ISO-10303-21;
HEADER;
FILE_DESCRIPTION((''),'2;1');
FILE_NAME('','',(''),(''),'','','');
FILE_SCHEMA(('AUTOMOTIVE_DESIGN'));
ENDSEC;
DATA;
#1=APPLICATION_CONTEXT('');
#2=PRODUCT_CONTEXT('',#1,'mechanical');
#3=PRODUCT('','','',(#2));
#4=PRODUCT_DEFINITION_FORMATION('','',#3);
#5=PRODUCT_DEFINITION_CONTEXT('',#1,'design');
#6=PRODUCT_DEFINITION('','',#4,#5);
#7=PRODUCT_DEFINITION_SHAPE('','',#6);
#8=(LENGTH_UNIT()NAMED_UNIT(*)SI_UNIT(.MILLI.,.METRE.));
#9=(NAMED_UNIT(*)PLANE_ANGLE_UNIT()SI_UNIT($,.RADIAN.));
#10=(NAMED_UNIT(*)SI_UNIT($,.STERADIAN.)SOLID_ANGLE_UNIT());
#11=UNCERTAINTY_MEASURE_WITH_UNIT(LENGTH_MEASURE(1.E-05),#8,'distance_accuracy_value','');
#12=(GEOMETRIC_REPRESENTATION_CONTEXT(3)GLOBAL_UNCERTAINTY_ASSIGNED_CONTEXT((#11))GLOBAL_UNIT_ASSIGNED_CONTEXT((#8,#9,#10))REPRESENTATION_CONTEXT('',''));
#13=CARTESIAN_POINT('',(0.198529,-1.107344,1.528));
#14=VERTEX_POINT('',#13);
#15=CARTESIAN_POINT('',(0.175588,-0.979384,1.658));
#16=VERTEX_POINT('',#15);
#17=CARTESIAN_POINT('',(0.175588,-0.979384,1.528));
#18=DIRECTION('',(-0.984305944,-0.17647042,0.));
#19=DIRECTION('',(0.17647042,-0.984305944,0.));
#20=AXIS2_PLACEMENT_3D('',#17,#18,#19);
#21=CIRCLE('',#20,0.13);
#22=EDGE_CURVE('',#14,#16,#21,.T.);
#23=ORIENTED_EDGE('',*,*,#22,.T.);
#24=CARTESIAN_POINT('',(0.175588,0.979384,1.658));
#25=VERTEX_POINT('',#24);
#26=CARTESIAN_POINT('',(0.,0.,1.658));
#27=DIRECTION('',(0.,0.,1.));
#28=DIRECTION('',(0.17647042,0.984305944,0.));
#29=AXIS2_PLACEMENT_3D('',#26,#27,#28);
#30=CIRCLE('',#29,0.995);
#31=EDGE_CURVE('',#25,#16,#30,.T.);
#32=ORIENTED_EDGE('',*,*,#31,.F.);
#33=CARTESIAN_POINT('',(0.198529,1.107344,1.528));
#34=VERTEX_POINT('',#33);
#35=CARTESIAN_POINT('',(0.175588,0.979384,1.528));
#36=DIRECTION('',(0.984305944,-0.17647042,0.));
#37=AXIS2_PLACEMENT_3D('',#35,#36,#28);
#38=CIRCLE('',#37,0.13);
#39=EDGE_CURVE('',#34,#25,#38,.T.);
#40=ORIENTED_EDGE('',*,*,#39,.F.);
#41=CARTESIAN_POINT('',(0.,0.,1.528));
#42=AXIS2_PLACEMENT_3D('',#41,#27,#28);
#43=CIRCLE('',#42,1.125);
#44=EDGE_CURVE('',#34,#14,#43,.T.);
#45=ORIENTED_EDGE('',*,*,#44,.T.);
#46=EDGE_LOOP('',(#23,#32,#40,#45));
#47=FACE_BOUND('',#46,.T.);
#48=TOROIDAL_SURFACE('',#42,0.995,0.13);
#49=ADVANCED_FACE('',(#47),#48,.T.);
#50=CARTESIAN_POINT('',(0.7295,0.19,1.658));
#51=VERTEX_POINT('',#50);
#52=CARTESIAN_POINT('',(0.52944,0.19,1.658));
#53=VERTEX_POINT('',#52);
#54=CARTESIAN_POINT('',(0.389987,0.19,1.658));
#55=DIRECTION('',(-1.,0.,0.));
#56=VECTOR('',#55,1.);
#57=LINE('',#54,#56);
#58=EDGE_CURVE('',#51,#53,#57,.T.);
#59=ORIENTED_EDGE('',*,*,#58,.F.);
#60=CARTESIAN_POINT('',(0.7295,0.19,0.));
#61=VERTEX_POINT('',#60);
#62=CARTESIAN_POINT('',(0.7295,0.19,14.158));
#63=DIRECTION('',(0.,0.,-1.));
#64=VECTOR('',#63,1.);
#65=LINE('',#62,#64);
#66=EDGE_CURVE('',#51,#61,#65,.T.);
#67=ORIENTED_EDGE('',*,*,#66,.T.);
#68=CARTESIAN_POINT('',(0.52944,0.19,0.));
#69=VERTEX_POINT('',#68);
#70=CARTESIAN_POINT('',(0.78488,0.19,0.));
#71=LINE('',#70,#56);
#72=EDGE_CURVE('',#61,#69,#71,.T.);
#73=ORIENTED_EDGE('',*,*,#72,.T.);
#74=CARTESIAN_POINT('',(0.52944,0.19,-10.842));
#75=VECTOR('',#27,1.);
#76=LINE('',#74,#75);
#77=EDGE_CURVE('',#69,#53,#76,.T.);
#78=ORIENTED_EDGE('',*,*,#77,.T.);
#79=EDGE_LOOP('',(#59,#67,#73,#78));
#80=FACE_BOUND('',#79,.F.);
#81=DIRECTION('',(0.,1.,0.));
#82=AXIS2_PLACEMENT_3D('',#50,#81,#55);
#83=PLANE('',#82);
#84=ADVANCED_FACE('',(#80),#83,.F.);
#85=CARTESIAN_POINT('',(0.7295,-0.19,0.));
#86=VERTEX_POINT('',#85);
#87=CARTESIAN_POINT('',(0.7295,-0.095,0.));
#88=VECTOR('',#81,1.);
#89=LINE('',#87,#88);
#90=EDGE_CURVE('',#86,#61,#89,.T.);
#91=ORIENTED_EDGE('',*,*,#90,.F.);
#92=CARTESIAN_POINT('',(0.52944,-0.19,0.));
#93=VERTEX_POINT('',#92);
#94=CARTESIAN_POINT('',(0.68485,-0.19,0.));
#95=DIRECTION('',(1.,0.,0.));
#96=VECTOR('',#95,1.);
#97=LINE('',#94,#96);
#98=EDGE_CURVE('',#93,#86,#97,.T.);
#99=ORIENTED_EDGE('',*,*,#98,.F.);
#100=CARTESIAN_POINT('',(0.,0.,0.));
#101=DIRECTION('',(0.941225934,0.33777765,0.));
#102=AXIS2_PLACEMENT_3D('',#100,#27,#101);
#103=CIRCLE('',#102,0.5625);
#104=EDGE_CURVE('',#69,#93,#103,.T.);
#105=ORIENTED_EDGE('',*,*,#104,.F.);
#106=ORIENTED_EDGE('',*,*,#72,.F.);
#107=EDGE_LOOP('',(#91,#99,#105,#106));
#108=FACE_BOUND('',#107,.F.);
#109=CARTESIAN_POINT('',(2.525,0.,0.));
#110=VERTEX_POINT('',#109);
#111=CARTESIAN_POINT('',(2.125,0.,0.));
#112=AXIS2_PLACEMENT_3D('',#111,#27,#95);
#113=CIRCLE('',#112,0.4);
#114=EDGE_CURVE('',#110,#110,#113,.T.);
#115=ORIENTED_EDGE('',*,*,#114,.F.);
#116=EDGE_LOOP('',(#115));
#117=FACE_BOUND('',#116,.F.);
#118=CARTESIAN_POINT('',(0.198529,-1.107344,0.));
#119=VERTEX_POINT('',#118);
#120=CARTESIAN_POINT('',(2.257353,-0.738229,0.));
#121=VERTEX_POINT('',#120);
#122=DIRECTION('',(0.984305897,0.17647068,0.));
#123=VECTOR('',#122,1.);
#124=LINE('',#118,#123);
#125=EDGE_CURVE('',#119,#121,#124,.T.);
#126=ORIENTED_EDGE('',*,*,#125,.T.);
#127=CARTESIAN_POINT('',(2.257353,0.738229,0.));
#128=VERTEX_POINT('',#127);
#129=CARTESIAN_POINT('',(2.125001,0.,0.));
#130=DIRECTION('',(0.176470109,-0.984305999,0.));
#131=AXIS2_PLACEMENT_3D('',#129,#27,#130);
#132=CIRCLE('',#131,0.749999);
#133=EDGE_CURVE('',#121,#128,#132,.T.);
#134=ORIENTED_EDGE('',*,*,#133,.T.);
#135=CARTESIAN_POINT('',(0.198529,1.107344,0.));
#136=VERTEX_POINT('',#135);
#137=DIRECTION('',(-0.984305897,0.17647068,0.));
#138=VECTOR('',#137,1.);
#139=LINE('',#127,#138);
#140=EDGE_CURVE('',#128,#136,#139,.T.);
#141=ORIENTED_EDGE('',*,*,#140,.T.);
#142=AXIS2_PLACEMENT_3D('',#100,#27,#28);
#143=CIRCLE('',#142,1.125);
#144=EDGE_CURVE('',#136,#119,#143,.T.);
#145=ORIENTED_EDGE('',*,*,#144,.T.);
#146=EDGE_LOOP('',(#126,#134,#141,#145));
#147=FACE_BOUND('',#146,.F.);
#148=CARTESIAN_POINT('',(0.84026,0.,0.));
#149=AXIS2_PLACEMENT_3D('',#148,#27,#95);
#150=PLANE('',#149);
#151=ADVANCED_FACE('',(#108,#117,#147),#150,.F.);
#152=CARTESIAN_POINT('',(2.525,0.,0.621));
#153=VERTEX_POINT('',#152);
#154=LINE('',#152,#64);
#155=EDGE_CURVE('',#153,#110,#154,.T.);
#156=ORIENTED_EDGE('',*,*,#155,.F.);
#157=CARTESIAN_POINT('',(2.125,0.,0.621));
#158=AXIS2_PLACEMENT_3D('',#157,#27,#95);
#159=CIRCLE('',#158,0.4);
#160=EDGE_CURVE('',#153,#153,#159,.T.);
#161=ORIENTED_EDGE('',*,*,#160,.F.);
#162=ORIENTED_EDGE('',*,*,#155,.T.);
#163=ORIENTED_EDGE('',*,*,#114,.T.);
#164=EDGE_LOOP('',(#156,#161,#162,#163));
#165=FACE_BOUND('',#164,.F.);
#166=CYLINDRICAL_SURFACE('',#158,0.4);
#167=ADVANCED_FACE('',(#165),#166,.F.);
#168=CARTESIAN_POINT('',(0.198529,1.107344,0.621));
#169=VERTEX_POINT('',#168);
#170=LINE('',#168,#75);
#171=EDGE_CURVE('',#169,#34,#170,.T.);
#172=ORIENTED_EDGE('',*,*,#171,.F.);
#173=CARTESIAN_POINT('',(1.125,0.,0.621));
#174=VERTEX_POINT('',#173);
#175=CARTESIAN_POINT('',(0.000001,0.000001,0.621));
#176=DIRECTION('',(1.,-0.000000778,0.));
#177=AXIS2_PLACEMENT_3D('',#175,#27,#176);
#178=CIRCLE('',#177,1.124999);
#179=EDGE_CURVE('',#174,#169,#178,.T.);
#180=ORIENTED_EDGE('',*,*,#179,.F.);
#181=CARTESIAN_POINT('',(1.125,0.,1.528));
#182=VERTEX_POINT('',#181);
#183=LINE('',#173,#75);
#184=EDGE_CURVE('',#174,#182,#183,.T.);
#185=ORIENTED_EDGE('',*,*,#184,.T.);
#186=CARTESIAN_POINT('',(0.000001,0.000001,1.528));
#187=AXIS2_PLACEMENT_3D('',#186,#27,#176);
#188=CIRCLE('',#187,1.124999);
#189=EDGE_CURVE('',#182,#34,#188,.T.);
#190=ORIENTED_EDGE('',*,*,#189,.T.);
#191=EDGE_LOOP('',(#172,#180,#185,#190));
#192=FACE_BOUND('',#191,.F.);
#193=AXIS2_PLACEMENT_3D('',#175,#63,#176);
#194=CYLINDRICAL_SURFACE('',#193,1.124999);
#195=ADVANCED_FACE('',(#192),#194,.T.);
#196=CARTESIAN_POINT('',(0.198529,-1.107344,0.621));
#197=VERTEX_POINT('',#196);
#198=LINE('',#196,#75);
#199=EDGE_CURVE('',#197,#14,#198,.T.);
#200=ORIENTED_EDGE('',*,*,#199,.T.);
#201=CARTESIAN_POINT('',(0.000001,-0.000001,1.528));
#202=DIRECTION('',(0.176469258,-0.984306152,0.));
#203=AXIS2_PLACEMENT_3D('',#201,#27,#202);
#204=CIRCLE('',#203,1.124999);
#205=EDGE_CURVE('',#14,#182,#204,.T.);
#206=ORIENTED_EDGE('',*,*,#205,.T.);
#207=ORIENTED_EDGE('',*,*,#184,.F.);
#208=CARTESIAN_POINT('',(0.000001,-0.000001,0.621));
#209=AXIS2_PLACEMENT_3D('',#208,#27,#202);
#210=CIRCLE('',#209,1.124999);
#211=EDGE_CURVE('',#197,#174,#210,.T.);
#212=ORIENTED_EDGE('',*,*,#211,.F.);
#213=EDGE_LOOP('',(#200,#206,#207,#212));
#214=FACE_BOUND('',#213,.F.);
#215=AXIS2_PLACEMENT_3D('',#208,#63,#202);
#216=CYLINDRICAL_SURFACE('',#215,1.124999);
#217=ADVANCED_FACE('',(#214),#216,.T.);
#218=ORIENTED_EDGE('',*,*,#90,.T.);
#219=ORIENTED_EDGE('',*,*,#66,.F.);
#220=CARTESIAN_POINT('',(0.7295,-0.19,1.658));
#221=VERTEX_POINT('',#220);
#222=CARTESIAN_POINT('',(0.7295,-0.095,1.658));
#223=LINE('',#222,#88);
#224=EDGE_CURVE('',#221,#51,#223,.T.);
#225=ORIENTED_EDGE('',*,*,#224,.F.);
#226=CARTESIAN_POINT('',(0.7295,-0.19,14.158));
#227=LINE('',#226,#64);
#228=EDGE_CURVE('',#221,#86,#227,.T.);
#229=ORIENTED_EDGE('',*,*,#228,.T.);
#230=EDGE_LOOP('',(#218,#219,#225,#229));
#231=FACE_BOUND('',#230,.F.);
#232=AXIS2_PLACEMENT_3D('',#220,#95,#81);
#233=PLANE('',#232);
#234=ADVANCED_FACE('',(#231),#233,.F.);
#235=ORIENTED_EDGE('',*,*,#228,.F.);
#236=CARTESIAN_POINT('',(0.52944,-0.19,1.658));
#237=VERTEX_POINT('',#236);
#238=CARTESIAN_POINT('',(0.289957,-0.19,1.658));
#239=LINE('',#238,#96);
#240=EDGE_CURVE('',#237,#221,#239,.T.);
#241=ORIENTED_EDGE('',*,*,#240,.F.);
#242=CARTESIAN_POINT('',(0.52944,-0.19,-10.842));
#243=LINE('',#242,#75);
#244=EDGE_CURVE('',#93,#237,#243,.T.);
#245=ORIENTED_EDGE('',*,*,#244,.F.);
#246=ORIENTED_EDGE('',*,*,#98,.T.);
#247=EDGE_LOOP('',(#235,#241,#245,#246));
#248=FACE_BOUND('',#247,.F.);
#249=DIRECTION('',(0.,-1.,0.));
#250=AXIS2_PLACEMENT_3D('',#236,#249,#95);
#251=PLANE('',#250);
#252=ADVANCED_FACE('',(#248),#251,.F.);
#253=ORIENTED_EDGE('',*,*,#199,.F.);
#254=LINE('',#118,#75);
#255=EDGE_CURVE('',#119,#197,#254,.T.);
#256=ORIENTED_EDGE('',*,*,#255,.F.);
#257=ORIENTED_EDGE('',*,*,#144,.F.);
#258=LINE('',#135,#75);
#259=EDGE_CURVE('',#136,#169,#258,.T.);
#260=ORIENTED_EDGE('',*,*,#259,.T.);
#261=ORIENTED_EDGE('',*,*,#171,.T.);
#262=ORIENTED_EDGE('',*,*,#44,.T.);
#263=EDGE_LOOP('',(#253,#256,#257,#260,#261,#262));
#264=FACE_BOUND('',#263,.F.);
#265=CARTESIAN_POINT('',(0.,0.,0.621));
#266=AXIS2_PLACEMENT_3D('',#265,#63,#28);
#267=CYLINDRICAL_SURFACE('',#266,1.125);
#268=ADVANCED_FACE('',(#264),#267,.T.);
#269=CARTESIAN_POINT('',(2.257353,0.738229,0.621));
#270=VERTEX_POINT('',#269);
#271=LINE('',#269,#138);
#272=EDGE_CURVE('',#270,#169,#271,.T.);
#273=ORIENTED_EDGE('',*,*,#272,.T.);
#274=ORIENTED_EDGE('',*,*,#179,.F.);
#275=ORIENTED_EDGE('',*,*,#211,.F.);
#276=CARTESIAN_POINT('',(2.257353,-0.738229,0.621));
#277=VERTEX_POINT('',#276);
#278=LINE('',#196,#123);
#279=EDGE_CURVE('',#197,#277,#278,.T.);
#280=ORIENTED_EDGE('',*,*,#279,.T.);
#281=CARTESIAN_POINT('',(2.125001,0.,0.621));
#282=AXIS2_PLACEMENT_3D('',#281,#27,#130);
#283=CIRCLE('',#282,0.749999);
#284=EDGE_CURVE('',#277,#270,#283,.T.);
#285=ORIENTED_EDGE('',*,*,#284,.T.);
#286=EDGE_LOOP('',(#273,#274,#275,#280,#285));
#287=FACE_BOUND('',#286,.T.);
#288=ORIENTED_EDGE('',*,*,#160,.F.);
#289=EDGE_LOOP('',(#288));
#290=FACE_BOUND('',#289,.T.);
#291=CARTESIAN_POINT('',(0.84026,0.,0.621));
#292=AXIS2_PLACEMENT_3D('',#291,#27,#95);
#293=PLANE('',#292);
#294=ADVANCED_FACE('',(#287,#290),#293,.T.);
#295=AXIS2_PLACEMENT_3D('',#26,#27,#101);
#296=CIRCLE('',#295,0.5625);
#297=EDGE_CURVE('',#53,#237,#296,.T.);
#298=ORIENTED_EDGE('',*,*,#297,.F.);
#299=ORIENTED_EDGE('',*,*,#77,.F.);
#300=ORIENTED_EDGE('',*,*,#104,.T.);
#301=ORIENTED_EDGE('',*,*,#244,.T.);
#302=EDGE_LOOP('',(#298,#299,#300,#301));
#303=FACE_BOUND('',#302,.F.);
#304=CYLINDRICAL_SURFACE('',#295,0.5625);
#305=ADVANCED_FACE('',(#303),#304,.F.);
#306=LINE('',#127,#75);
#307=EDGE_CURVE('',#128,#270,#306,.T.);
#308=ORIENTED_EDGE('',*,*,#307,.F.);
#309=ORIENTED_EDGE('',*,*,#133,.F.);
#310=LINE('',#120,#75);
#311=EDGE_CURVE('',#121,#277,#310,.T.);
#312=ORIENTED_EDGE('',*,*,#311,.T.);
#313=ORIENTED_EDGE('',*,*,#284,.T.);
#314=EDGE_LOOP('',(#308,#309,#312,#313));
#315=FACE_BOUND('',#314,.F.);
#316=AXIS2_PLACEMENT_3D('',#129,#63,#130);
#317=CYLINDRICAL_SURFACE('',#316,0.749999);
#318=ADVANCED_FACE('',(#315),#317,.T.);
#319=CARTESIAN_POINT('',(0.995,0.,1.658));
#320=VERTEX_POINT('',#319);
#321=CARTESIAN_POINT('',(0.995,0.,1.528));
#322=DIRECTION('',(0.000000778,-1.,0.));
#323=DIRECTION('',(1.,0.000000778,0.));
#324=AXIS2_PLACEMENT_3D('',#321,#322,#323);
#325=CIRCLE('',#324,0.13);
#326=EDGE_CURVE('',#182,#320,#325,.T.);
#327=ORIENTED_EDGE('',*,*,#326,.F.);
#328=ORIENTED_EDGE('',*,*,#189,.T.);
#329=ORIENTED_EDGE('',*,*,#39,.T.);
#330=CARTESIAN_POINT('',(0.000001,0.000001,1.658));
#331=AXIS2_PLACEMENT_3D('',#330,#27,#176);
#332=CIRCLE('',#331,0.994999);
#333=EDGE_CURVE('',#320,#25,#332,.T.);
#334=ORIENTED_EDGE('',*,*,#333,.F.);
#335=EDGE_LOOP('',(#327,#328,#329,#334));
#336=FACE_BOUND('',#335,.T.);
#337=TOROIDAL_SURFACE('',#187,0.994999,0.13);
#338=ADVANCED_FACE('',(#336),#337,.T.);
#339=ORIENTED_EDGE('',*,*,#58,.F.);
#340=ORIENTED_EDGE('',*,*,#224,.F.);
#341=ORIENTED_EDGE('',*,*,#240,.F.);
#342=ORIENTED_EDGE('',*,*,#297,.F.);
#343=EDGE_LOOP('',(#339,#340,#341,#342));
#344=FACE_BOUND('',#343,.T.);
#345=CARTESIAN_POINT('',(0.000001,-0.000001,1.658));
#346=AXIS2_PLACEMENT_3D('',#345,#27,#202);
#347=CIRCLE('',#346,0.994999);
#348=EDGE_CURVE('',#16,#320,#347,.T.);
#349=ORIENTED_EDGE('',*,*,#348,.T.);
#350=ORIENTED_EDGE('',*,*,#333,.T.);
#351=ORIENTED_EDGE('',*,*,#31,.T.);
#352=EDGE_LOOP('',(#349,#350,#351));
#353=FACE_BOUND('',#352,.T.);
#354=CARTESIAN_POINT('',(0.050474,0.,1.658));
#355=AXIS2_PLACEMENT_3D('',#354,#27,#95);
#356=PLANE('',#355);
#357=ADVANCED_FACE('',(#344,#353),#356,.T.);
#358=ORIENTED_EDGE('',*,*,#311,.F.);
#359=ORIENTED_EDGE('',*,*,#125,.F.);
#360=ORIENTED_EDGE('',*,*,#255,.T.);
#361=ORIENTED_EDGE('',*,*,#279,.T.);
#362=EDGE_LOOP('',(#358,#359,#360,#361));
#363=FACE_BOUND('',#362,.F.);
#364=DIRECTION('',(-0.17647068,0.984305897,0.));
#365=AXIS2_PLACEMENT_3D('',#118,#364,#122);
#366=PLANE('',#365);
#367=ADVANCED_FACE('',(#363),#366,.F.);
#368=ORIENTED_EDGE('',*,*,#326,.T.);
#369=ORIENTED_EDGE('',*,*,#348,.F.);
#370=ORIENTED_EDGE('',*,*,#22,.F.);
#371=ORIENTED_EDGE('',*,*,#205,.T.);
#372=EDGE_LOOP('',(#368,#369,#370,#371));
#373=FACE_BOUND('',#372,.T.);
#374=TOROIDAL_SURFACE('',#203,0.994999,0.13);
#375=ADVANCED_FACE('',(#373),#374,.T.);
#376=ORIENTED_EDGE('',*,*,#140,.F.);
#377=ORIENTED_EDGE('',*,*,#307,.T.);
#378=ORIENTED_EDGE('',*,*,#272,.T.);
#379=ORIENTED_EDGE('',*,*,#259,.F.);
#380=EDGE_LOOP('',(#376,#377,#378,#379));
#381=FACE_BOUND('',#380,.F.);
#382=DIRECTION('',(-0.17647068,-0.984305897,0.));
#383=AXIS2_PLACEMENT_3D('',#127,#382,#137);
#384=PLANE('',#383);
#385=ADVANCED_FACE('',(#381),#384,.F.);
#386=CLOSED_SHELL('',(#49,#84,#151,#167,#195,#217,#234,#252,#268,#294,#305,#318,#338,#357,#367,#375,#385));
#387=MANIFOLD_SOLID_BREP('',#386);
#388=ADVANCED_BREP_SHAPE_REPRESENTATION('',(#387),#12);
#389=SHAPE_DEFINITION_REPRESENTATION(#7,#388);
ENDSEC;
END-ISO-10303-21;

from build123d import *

# Parameters (mm, degrees)
F1_DEPTH = 0.621
F3_DEPTH = 1.037
F4_R     = 0.4
F5_DEPTH = 0.621
F7_DEPTH = 12.5
F8_R     = 0.13


with BuildPart() as f1:
    # F0 (on Top) → F1 (new body)
    with BuildSketch(Plane.XY):
        with BuildLine():
            Line((2.257353, 0.738229), (0.198529, 1.107344))
            ThreePointArc((0.198529, 1.107344), (-1.125, 0), (0.198529, -1.107344))
            Line((0.198529, -1.107344), (2.257353, -0.738229))
            ThreePointArc((2.257353, -0.738229), (2.875, 0), (2.257353, 0.738229))
        make_face()
    extrude(amount=F1_DEPTH)

    # F2 (on face) → F3 (join)
    with BuildSketch(Plane.XY.offset(0.621)):
        with BuildLine():
            ThreePointArc((0.198529, -1.107344), (0.862836, -0.7219), (1.125, 0))
            ThreePointArc((1.125, 0), (0.862836, 0.7219), (0.198529, 1.107344))
            ThreePointArc((0.198529, 1.107344), (-1.125, 0), (0.198529, -1.107344))
        make_face()
    extrude(amount=F3_DEPTH)

    # F4 (on face) → F5 (cut, through all)
    with BuildSketch(Plane.XY.offset(0.621)):
        with Locations((2.125, 0)):
            Circle(F4_R)
    extrude(amount=-F5_DEPTH, mode=Mode.SUBTRACT)

    # F6 (on face) → F7 (cut, symmetric)
    with BuildSketch(Plane.XY.offset(1.658)):
        with BuildLine():
            Line((0.7295, 0.19), (0.52944, 0.19))
            ThreePointArc((0.52944, 0.19), (-0.5625, 0), (0.52944, -0.19))
            Line((0.52944, -0.19), (0.7295, -0.19))
            Line((0.7295, -0.19), (0.7295, 0.19))
        make_face()
    extrude(amount=F7_DEPTH, both=True, mode=Mode.SUBTRACT)

    # F8
    f8_edges = [f1.edges().sort_by_distance(p)[0] for p in [
        (-0.198529, 1.107344, 1.658),
    ]]
    fillet(f8_edges, radius=F8_R)


solid = f1.part
